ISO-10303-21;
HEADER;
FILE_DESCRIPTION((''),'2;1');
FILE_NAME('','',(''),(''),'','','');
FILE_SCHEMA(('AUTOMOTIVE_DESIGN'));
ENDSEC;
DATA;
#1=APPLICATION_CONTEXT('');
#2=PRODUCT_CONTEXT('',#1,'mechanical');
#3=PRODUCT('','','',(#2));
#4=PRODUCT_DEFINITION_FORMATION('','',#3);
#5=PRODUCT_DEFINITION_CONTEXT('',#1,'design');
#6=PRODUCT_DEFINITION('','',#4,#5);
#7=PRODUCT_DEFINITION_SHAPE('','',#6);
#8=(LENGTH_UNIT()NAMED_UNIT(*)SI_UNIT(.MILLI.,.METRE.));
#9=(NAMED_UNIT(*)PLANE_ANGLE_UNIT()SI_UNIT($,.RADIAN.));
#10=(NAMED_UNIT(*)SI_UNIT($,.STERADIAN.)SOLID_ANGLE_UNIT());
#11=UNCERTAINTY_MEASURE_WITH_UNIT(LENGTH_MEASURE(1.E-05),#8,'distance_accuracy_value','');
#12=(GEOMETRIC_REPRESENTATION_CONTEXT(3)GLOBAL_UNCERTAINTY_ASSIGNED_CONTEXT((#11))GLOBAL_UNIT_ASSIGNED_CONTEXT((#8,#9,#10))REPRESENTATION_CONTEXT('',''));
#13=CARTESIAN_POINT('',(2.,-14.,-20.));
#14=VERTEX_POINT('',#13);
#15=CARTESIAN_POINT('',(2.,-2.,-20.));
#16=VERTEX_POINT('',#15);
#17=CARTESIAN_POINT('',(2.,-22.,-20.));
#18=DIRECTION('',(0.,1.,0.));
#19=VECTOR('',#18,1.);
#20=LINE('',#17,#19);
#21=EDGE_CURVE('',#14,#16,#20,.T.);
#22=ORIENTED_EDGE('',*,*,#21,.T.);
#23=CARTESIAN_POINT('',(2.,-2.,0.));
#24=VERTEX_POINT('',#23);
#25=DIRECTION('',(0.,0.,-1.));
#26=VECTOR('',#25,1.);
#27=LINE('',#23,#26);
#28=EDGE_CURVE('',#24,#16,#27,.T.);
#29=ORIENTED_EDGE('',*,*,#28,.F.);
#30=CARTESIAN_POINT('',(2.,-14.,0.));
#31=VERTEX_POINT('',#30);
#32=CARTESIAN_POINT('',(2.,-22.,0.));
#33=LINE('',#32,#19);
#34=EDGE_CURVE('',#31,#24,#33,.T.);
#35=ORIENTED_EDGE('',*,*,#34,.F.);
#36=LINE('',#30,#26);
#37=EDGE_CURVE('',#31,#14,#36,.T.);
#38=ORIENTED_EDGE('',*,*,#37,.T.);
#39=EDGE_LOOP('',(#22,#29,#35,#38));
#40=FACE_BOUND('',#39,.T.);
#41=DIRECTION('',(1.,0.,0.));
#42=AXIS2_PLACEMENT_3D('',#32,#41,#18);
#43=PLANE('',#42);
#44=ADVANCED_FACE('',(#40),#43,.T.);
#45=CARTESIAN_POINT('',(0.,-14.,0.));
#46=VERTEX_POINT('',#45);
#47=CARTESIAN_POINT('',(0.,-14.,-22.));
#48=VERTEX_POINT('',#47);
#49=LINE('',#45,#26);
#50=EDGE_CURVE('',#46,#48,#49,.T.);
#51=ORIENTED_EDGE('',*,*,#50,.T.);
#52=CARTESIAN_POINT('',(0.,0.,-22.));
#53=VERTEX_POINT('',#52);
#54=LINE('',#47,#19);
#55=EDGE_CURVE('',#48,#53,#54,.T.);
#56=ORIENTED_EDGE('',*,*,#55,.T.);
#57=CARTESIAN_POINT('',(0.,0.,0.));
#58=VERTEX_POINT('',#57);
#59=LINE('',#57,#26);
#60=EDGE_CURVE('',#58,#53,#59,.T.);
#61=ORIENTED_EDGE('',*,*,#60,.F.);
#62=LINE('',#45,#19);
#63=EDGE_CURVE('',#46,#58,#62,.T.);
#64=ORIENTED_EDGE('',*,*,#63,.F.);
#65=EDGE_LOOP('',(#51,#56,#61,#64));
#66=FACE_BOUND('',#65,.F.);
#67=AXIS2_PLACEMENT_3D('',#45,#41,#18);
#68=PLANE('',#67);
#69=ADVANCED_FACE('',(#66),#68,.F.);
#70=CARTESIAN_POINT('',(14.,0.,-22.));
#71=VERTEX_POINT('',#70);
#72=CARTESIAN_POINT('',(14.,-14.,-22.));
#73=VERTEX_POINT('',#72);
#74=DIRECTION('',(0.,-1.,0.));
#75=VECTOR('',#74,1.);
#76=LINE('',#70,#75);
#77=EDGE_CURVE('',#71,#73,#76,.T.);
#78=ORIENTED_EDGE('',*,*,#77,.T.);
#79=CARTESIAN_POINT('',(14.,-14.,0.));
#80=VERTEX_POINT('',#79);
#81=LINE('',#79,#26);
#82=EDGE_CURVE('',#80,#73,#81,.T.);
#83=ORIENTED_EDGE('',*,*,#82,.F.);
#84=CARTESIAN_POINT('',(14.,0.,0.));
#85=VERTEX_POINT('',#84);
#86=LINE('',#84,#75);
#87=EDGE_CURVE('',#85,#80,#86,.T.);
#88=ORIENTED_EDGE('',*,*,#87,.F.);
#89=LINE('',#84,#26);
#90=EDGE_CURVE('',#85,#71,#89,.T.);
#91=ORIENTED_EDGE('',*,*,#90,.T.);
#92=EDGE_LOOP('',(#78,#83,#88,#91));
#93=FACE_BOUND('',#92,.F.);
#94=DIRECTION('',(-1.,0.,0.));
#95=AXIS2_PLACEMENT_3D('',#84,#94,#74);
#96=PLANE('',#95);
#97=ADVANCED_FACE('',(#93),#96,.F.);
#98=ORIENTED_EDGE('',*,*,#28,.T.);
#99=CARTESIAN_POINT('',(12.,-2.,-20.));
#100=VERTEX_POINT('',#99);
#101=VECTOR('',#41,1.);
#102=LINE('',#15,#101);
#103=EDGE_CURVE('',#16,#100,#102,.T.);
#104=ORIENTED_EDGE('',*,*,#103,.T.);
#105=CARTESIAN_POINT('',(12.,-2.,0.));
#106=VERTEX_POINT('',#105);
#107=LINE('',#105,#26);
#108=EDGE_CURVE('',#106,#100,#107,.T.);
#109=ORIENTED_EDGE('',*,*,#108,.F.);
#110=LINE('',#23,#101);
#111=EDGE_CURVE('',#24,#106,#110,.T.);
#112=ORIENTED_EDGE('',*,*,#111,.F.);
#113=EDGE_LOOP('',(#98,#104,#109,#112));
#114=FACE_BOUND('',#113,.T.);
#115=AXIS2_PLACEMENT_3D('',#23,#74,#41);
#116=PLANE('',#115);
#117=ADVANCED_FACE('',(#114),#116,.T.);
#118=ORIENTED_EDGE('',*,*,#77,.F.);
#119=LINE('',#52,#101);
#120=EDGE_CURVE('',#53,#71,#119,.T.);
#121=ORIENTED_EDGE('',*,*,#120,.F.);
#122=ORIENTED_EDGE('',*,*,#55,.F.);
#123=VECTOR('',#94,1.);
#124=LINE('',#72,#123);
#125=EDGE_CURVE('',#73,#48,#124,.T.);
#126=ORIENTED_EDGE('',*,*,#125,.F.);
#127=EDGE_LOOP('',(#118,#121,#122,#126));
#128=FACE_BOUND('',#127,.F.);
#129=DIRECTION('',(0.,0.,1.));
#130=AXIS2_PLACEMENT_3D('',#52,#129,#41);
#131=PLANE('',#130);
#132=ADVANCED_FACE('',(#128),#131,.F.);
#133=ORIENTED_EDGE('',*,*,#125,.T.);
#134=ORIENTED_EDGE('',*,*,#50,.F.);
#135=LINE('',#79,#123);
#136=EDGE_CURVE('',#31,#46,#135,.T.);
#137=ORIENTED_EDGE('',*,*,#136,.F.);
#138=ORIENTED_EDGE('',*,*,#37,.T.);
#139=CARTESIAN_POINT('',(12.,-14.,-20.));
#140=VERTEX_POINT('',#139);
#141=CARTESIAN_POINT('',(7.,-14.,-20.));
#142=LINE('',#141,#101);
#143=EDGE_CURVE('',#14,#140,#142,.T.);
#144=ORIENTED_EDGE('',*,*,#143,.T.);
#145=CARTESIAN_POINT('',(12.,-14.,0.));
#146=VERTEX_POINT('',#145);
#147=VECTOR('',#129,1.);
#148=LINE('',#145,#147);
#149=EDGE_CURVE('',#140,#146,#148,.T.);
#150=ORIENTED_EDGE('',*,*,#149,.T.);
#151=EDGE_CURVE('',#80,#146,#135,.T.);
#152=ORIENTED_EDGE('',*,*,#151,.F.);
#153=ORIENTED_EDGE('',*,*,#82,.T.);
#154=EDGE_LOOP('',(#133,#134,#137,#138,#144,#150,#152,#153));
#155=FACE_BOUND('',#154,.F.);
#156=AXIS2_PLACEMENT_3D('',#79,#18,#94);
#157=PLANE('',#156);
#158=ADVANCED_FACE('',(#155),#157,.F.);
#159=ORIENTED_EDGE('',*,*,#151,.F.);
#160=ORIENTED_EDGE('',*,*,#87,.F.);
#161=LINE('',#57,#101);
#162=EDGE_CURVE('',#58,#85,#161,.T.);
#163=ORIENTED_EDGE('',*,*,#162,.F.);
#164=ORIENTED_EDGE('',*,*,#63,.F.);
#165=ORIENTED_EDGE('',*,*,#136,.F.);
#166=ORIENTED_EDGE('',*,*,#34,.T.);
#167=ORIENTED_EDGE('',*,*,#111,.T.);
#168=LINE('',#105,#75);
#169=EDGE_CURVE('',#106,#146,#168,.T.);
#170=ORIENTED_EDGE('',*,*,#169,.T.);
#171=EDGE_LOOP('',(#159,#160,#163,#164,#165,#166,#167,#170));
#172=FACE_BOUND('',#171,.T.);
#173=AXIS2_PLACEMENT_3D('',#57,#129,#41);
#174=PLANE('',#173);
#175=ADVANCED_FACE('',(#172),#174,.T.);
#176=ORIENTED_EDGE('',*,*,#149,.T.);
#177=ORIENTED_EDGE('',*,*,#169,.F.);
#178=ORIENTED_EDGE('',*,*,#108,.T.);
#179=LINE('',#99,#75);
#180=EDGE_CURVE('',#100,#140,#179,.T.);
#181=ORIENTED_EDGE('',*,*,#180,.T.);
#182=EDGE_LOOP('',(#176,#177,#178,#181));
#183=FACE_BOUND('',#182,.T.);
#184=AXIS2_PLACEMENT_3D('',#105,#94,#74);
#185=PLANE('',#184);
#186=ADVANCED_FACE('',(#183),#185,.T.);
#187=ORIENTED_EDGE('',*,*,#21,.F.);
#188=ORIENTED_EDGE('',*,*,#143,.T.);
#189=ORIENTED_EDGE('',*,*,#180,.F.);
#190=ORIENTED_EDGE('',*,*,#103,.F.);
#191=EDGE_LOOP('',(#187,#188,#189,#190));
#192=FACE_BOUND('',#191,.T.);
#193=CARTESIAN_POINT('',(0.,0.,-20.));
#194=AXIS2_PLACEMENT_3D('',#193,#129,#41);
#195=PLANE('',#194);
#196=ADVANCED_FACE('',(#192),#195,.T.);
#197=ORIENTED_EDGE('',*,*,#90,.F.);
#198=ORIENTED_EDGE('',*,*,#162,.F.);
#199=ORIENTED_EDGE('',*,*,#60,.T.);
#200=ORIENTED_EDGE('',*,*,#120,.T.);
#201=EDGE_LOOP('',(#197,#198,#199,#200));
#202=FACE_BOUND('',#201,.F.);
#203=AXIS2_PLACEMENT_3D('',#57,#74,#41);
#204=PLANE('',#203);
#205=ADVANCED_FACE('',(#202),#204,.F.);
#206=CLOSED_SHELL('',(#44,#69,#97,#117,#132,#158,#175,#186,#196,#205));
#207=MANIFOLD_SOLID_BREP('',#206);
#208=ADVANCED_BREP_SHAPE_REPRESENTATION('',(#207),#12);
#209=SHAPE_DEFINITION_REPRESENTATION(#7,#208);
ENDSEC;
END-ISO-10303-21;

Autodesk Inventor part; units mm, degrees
ref_plane "YZ Plane" through (0, 0, 0) normal (1, 0, 0) x (0, 1, 0)
ref_plane "XZ Plane" through (0, 0, 0) normal (0, 1, 0) x (-1, 0, 0)
ref_plane "XY Plane" through (0, 0, 0) normal (0, 0, 1) x (1, 0, 0)
sketch "Sketch1" plane through (0, 0, 0) normal (0, 0, 1) x (1, 0, 0)
  line L0 (0, 0) -> (14, 0)
  line L1 (14, 0) -> (14, -14)
  line L2 (14, -14) -> (0, -14)
  line L3 (0, -14) -> (0, 0)
  dimension "d0" = 14
  dimension "d1" = 14
extrude "Extrusion1" add sketch "Sketch1" against normal blind 22
sketch "Sketch2" plane through (0, 0, 0) normal (0, 0, 1) x (1, 0, 0)
  line L0 (2, -2) -> (12, -2)
  line L1 (12, -2) -> (12, -22)
  line L2 (12, -22) -> (2, -22)
  line L3 (2, -22) -> (2, -2)
  point P0 (0, 0)
  dimension "d4" = 10
  dimension "d5" = 20
extrude "Extrusion2" cut sketch "Sketch2" against normal blind 20
properties part number "housing_v01"
